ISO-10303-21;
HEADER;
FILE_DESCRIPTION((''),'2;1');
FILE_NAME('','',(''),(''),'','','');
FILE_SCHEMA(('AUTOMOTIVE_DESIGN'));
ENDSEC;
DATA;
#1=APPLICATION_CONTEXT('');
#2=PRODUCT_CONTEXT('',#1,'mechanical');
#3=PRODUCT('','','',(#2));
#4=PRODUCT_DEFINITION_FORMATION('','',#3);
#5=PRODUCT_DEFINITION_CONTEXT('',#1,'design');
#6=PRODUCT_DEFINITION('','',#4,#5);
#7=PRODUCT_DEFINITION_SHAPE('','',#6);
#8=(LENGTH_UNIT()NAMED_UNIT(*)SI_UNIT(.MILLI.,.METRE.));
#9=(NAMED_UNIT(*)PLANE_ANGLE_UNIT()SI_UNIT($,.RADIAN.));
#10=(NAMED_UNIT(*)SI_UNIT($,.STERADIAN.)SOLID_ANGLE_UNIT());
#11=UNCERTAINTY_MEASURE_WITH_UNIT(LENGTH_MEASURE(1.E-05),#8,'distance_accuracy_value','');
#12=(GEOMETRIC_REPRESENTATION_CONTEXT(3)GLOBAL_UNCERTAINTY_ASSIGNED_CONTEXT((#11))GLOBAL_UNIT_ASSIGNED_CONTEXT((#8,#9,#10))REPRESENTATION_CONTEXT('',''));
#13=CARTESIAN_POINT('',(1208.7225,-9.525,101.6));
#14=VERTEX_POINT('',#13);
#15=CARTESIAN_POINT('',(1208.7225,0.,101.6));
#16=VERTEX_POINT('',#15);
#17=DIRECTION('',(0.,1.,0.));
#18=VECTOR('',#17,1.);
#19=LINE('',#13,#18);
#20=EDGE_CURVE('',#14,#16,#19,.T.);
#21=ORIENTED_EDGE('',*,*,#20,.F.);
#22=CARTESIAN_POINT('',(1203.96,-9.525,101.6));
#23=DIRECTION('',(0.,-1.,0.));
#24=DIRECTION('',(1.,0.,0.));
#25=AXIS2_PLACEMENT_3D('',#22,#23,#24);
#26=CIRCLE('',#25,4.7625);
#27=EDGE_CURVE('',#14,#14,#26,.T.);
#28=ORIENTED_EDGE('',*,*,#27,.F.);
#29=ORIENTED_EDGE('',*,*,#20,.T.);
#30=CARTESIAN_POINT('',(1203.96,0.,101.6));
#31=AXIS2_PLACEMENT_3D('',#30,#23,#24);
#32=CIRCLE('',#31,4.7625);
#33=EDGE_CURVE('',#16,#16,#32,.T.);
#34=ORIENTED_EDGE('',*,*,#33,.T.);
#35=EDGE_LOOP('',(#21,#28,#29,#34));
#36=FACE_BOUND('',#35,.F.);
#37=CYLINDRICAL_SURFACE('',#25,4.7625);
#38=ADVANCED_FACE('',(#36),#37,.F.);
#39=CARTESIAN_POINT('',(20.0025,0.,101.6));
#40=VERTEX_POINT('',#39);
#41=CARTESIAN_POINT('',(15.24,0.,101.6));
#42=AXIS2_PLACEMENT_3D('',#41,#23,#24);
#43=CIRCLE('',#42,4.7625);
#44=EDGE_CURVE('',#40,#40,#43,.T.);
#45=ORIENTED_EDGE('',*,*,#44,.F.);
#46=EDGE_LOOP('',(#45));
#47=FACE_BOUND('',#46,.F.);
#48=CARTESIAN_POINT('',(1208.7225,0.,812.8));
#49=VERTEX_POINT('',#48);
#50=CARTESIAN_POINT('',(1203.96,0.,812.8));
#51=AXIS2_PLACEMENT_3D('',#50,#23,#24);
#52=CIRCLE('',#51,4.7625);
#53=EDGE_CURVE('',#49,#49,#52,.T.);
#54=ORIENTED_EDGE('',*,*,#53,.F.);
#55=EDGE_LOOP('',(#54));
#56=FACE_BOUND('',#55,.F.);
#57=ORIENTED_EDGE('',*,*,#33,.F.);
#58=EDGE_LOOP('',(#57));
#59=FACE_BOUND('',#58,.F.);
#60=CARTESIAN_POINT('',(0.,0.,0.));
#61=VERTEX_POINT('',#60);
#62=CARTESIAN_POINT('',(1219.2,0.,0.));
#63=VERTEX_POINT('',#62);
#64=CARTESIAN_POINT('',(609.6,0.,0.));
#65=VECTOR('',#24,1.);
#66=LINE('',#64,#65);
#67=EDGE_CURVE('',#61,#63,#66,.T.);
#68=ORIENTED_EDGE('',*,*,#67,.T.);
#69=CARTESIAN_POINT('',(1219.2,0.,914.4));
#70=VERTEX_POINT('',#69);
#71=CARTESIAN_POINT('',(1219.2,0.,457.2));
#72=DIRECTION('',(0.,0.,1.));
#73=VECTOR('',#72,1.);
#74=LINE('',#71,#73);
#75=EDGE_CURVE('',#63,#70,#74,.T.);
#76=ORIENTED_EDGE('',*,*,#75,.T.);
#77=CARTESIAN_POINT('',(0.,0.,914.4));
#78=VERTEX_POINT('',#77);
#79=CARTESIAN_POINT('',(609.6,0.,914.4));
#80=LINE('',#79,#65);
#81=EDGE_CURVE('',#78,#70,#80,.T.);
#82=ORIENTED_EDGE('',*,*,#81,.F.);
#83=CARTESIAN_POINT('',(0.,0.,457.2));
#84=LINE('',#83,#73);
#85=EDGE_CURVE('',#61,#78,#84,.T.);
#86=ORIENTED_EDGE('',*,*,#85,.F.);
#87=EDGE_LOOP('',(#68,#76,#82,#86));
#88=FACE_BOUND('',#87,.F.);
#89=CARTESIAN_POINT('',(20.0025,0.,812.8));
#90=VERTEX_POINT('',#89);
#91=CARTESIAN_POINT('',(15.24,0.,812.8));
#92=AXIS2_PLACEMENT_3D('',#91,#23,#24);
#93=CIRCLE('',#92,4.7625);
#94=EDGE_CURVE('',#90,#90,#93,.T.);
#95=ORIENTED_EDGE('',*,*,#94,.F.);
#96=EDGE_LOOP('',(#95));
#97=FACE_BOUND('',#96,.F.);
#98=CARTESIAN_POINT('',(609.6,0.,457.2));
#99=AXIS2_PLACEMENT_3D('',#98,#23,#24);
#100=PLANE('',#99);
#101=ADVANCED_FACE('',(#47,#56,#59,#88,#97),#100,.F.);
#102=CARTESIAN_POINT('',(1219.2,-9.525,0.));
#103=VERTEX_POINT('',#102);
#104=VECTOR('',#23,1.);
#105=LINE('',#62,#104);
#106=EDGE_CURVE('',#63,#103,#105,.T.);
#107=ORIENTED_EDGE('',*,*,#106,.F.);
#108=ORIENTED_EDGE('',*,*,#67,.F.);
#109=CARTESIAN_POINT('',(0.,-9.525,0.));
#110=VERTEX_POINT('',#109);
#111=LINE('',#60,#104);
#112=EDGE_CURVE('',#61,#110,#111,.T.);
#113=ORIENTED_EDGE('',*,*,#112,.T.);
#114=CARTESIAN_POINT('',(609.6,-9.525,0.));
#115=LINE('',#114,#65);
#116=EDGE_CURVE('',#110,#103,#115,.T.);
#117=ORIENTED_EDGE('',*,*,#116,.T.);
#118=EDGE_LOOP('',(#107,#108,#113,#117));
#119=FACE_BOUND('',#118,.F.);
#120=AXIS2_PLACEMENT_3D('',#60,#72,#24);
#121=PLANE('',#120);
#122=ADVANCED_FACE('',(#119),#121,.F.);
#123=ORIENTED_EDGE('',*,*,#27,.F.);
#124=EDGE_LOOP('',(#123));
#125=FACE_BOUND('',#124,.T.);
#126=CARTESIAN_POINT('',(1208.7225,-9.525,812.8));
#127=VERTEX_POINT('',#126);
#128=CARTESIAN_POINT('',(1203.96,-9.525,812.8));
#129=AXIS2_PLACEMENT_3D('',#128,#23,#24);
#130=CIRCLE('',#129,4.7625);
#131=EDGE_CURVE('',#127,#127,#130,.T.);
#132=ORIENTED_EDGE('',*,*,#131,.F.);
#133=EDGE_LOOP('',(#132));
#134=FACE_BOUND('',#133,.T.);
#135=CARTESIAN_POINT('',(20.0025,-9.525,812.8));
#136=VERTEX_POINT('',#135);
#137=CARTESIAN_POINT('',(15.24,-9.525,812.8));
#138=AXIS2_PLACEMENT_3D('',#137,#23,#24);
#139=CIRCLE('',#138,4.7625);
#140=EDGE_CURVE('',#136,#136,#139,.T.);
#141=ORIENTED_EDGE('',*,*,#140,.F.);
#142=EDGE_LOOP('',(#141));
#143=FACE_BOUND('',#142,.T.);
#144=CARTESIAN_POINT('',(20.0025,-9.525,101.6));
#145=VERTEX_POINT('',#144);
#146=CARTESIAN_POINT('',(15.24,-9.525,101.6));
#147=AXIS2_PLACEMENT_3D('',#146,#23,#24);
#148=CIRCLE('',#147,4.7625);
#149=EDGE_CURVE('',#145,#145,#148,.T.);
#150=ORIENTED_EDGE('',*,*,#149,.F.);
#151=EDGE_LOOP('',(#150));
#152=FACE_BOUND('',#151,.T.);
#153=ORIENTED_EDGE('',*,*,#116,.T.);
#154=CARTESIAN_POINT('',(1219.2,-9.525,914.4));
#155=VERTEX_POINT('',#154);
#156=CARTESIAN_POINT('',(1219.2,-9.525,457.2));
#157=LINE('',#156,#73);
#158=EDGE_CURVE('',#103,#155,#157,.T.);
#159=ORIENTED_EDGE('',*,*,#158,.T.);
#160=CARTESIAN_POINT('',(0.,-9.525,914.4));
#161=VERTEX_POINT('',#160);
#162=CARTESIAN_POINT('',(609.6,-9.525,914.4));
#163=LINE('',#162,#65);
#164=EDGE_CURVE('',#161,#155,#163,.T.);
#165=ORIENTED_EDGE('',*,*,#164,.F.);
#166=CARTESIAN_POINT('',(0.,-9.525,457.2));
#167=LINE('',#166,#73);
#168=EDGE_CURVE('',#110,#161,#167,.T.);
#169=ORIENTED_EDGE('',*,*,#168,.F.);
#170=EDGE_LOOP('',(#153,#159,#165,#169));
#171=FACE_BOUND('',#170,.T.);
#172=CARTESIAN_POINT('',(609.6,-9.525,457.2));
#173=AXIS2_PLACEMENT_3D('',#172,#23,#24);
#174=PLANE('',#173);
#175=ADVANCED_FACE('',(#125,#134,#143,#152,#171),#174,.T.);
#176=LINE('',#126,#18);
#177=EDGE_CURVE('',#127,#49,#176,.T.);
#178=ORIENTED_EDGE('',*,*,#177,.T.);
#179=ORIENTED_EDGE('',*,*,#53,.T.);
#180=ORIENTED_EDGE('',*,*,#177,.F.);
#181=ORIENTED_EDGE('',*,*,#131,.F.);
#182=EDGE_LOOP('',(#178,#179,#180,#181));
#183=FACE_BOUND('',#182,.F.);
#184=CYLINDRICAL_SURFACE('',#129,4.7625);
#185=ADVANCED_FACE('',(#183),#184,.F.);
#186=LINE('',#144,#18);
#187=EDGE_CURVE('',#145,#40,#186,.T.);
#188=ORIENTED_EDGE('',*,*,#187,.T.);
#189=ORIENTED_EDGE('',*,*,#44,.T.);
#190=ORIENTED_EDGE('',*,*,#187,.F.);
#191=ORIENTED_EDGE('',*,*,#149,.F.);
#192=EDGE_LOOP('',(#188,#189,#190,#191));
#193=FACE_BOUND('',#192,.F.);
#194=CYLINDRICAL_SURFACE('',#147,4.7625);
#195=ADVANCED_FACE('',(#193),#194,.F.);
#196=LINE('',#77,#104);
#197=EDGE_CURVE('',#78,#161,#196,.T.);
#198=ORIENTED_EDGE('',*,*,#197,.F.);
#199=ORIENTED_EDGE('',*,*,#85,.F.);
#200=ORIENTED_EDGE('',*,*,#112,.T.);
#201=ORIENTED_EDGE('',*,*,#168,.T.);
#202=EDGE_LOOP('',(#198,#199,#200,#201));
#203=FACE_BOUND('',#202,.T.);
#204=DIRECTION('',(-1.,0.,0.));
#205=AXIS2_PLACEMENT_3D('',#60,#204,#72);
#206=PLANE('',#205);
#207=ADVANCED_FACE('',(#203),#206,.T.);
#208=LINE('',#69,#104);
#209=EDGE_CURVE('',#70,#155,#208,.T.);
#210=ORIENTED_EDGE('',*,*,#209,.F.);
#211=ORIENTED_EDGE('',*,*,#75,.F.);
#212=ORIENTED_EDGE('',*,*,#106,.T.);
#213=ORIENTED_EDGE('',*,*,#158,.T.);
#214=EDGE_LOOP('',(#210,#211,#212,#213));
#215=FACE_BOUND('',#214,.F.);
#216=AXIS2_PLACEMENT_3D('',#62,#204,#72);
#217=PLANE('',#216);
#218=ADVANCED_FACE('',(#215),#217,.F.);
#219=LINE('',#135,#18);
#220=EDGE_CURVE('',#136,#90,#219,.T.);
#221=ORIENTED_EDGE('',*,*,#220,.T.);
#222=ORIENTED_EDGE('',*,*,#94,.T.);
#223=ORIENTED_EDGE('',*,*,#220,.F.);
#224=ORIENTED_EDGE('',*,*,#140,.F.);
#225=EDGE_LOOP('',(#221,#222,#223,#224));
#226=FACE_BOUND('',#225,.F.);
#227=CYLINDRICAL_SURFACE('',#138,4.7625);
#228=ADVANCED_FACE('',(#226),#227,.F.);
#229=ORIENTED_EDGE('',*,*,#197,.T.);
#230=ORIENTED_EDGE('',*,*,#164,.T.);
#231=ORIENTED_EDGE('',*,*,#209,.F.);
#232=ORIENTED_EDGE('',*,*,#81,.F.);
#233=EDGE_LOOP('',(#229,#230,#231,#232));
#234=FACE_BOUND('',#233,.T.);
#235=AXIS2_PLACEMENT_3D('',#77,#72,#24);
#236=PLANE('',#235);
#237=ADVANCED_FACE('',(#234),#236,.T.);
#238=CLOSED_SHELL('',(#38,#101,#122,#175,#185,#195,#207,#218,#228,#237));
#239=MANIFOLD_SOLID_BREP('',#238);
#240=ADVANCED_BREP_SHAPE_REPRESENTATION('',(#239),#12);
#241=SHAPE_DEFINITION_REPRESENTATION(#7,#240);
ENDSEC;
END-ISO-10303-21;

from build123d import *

# Parameters (mm, degrees)
F0_W     = 1219.2
F0_H     = 914.4
F1_DEPTH = 9.525
F2_R     = 4.7625
F3_DEPTH = 9.526


with BuildPart() as f1:
    # F0 (on Front) → F1 (new body)
    with BuildSketch(Plane.XZ):
        with Locations((609.6, 457.2)):
            Rectangle(F0_W, F0_H)
    extrude(amount=F1_DEPTH)

    # F2 (on face) → F3 (cut, through all)
    with BuildSketch(Plane.XZ.offset(9.525)):
        with Locations((15.24, 812.8)):
            Circle(F2_R)
        with Locations((15.24, 101.6)):
            Circle(F2_R)
        with Locations((1203.96, 101.6)):
            Circle(F2_R)
        with Locations((1203.96, 812.8)):
            Circle(F2_R)
    extrude(amount=-F3_DEPTH, mode=Mode.SUBTRACT)


solid = f1.part
